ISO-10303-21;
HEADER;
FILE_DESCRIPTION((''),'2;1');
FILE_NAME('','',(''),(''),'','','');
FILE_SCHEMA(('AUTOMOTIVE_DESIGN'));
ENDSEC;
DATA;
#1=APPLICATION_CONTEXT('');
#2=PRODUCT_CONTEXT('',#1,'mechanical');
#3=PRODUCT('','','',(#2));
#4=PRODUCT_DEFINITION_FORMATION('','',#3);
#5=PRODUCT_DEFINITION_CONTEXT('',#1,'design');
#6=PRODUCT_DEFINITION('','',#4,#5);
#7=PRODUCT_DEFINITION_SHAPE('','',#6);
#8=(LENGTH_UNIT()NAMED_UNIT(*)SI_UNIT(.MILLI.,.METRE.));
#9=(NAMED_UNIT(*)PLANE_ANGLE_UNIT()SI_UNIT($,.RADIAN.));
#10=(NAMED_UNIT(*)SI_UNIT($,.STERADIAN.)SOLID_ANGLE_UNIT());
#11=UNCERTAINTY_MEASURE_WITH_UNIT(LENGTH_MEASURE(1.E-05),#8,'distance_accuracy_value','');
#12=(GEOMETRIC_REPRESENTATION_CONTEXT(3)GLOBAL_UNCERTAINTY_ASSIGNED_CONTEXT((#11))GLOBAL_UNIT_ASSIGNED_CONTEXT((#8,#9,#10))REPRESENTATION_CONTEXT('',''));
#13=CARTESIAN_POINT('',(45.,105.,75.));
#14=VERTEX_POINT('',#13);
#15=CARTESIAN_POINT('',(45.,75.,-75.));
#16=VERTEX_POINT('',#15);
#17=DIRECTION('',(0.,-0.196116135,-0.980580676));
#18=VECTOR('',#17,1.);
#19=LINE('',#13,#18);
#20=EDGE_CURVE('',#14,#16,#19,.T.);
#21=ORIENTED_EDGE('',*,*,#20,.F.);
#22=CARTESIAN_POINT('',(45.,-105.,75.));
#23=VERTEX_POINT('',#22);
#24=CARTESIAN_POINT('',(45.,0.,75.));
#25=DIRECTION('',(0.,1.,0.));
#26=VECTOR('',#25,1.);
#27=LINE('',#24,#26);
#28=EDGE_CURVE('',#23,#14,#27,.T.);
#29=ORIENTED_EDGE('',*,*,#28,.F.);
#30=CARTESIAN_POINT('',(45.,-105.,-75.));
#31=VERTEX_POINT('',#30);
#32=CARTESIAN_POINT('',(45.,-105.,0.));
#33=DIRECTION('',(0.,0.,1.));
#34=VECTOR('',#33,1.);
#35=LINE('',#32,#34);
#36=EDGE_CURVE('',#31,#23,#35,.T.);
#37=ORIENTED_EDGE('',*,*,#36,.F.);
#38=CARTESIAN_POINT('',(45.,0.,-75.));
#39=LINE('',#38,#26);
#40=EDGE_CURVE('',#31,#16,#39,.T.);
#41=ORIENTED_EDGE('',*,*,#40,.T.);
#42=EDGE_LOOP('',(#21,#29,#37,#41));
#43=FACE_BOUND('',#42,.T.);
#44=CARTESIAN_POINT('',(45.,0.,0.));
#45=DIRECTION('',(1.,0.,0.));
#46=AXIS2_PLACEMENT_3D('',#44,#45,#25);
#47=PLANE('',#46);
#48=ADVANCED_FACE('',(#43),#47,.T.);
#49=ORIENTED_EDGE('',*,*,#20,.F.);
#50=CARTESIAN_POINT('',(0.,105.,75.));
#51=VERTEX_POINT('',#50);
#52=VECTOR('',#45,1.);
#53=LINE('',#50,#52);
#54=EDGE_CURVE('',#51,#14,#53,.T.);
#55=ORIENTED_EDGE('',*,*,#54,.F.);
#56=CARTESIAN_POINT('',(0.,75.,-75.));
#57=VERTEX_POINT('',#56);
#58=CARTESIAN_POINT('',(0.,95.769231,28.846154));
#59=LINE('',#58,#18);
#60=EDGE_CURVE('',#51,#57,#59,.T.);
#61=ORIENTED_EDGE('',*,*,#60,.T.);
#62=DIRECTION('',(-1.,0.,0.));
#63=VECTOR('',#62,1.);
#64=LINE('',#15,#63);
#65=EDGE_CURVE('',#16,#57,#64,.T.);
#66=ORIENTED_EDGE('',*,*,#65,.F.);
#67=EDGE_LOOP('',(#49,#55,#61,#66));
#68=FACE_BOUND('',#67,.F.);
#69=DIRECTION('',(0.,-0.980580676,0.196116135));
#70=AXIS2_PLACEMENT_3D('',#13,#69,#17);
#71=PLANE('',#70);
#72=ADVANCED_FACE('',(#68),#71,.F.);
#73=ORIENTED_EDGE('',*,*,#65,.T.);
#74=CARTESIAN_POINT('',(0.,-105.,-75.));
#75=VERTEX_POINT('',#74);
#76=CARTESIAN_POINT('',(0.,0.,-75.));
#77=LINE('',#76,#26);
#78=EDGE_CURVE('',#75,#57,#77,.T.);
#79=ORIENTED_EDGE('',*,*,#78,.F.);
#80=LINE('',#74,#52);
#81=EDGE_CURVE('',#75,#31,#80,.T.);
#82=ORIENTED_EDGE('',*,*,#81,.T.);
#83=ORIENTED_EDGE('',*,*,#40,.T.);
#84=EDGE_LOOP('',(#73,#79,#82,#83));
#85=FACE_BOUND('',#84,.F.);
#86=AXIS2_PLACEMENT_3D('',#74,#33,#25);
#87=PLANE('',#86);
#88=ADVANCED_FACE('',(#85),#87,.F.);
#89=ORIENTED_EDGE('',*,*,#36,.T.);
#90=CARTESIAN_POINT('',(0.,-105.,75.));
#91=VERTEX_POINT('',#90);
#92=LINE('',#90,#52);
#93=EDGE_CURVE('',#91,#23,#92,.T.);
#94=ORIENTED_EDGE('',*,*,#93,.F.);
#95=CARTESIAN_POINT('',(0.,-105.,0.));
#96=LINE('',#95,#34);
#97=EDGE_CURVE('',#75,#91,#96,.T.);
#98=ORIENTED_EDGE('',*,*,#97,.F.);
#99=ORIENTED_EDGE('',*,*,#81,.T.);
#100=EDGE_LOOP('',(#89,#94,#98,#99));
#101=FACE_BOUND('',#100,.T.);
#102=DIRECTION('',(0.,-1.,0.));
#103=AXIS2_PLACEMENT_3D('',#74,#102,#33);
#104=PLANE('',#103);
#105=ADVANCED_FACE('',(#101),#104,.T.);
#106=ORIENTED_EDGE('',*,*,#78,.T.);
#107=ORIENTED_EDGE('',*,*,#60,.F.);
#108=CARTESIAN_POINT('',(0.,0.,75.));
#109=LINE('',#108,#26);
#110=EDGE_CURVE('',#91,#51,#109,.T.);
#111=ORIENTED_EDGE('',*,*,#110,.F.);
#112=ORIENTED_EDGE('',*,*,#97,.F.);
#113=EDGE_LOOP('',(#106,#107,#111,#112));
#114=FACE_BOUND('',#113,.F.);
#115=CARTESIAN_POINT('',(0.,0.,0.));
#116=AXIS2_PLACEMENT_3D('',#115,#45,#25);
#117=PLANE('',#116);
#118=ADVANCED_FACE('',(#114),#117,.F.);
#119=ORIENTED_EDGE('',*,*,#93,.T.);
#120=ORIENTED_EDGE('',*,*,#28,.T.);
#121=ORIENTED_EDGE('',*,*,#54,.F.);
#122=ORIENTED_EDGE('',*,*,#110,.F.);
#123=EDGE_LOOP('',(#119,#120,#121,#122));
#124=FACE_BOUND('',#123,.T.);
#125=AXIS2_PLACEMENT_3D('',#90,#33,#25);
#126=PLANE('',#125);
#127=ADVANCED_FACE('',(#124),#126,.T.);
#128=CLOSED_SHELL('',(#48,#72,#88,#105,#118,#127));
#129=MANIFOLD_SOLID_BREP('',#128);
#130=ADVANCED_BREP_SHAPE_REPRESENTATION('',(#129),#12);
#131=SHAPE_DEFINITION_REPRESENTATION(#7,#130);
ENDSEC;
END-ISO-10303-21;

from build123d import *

# Parameters (mm, degrees)
F0_W     = 210
F0_H     = 150
F1_DEPTH = 45
F3_DEPTH = 69.1


with BuildPart() as f1:
    # F0 (on Right) → F1 (new body)
    with BuildSketch(Plane.YZ):
        Rectangle(F0_W, F0_H)
    extrude(amount=F1_DEPTH)

    # F2 (on face) → F3 (cut)
    with BuildSketch(Plane.YZ.offset(45)):
        Polygon((105, 75), (75, -75), (105, -75), align=None)
    extrude(amount=-F3_DEPTH, mode=Mode.SUBTRACT)


solid = f1.part
